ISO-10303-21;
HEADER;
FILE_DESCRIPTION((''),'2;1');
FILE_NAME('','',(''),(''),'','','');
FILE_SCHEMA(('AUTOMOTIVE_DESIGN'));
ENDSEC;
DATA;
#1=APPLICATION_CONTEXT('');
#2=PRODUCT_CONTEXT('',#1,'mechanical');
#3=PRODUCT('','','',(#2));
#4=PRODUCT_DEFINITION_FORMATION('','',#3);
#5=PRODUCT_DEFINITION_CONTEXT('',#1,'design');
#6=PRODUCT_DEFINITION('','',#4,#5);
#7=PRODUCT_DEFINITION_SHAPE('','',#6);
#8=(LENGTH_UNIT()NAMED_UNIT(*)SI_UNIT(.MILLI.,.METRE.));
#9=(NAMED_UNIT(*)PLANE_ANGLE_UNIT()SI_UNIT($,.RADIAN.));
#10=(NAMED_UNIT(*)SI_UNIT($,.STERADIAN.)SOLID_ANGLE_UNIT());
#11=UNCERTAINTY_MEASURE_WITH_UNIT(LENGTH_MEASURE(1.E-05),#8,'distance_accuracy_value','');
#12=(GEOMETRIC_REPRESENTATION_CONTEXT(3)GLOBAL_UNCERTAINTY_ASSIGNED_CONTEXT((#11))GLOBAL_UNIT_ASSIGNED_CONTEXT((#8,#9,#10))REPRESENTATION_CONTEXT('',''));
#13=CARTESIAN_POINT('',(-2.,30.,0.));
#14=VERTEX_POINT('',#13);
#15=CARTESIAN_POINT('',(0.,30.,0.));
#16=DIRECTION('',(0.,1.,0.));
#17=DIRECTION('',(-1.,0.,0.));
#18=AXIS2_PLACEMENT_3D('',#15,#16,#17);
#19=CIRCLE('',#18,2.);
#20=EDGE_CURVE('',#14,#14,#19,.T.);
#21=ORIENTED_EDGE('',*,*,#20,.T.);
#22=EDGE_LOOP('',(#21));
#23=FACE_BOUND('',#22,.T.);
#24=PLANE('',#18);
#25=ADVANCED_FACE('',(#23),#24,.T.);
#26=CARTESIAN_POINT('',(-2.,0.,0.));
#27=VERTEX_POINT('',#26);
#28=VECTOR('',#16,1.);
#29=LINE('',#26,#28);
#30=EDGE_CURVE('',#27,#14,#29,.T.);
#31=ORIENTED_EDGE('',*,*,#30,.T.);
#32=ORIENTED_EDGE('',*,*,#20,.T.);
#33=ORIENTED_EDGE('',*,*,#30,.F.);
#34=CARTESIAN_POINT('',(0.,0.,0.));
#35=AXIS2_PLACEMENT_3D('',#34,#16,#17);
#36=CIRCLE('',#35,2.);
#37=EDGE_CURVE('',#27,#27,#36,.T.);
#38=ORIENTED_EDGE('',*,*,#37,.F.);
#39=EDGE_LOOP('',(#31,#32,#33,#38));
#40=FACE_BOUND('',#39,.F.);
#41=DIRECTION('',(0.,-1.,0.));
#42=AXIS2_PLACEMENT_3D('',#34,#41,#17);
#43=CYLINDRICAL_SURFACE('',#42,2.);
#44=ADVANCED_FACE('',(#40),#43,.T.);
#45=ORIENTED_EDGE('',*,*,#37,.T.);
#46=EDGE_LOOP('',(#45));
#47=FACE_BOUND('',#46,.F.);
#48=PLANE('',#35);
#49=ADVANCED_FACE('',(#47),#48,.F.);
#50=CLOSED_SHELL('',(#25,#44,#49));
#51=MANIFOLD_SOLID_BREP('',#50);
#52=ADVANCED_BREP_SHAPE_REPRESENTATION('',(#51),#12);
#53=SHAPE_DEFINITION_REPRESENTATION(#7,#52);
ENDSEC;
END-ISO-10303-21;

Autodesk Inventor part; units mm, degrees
ref_plane "YZ Plane" through (0, 0, 0) normal (1, 0, 0) x (0, 1, 0)
ref_plane "XZ Plane" through (0, 0, 0) normal (0, 1, 0) x (-1, 0, 0)
ref_plane "XY Plane" through (0, 0, 0) normal (0, 0, 1) x (1, 0, 0)
sketch "草圖1" plane through (0, 0, 0) normal (0, 1, 0) x (-1, 0, 0)
  circle A0 centre (0, 0) radius 2
  dimension "d0" = 4
extrude "擠出1" add sketch "草圖1" along normal blind 30
properties part number "axle 4_30" material "壓克力條"
